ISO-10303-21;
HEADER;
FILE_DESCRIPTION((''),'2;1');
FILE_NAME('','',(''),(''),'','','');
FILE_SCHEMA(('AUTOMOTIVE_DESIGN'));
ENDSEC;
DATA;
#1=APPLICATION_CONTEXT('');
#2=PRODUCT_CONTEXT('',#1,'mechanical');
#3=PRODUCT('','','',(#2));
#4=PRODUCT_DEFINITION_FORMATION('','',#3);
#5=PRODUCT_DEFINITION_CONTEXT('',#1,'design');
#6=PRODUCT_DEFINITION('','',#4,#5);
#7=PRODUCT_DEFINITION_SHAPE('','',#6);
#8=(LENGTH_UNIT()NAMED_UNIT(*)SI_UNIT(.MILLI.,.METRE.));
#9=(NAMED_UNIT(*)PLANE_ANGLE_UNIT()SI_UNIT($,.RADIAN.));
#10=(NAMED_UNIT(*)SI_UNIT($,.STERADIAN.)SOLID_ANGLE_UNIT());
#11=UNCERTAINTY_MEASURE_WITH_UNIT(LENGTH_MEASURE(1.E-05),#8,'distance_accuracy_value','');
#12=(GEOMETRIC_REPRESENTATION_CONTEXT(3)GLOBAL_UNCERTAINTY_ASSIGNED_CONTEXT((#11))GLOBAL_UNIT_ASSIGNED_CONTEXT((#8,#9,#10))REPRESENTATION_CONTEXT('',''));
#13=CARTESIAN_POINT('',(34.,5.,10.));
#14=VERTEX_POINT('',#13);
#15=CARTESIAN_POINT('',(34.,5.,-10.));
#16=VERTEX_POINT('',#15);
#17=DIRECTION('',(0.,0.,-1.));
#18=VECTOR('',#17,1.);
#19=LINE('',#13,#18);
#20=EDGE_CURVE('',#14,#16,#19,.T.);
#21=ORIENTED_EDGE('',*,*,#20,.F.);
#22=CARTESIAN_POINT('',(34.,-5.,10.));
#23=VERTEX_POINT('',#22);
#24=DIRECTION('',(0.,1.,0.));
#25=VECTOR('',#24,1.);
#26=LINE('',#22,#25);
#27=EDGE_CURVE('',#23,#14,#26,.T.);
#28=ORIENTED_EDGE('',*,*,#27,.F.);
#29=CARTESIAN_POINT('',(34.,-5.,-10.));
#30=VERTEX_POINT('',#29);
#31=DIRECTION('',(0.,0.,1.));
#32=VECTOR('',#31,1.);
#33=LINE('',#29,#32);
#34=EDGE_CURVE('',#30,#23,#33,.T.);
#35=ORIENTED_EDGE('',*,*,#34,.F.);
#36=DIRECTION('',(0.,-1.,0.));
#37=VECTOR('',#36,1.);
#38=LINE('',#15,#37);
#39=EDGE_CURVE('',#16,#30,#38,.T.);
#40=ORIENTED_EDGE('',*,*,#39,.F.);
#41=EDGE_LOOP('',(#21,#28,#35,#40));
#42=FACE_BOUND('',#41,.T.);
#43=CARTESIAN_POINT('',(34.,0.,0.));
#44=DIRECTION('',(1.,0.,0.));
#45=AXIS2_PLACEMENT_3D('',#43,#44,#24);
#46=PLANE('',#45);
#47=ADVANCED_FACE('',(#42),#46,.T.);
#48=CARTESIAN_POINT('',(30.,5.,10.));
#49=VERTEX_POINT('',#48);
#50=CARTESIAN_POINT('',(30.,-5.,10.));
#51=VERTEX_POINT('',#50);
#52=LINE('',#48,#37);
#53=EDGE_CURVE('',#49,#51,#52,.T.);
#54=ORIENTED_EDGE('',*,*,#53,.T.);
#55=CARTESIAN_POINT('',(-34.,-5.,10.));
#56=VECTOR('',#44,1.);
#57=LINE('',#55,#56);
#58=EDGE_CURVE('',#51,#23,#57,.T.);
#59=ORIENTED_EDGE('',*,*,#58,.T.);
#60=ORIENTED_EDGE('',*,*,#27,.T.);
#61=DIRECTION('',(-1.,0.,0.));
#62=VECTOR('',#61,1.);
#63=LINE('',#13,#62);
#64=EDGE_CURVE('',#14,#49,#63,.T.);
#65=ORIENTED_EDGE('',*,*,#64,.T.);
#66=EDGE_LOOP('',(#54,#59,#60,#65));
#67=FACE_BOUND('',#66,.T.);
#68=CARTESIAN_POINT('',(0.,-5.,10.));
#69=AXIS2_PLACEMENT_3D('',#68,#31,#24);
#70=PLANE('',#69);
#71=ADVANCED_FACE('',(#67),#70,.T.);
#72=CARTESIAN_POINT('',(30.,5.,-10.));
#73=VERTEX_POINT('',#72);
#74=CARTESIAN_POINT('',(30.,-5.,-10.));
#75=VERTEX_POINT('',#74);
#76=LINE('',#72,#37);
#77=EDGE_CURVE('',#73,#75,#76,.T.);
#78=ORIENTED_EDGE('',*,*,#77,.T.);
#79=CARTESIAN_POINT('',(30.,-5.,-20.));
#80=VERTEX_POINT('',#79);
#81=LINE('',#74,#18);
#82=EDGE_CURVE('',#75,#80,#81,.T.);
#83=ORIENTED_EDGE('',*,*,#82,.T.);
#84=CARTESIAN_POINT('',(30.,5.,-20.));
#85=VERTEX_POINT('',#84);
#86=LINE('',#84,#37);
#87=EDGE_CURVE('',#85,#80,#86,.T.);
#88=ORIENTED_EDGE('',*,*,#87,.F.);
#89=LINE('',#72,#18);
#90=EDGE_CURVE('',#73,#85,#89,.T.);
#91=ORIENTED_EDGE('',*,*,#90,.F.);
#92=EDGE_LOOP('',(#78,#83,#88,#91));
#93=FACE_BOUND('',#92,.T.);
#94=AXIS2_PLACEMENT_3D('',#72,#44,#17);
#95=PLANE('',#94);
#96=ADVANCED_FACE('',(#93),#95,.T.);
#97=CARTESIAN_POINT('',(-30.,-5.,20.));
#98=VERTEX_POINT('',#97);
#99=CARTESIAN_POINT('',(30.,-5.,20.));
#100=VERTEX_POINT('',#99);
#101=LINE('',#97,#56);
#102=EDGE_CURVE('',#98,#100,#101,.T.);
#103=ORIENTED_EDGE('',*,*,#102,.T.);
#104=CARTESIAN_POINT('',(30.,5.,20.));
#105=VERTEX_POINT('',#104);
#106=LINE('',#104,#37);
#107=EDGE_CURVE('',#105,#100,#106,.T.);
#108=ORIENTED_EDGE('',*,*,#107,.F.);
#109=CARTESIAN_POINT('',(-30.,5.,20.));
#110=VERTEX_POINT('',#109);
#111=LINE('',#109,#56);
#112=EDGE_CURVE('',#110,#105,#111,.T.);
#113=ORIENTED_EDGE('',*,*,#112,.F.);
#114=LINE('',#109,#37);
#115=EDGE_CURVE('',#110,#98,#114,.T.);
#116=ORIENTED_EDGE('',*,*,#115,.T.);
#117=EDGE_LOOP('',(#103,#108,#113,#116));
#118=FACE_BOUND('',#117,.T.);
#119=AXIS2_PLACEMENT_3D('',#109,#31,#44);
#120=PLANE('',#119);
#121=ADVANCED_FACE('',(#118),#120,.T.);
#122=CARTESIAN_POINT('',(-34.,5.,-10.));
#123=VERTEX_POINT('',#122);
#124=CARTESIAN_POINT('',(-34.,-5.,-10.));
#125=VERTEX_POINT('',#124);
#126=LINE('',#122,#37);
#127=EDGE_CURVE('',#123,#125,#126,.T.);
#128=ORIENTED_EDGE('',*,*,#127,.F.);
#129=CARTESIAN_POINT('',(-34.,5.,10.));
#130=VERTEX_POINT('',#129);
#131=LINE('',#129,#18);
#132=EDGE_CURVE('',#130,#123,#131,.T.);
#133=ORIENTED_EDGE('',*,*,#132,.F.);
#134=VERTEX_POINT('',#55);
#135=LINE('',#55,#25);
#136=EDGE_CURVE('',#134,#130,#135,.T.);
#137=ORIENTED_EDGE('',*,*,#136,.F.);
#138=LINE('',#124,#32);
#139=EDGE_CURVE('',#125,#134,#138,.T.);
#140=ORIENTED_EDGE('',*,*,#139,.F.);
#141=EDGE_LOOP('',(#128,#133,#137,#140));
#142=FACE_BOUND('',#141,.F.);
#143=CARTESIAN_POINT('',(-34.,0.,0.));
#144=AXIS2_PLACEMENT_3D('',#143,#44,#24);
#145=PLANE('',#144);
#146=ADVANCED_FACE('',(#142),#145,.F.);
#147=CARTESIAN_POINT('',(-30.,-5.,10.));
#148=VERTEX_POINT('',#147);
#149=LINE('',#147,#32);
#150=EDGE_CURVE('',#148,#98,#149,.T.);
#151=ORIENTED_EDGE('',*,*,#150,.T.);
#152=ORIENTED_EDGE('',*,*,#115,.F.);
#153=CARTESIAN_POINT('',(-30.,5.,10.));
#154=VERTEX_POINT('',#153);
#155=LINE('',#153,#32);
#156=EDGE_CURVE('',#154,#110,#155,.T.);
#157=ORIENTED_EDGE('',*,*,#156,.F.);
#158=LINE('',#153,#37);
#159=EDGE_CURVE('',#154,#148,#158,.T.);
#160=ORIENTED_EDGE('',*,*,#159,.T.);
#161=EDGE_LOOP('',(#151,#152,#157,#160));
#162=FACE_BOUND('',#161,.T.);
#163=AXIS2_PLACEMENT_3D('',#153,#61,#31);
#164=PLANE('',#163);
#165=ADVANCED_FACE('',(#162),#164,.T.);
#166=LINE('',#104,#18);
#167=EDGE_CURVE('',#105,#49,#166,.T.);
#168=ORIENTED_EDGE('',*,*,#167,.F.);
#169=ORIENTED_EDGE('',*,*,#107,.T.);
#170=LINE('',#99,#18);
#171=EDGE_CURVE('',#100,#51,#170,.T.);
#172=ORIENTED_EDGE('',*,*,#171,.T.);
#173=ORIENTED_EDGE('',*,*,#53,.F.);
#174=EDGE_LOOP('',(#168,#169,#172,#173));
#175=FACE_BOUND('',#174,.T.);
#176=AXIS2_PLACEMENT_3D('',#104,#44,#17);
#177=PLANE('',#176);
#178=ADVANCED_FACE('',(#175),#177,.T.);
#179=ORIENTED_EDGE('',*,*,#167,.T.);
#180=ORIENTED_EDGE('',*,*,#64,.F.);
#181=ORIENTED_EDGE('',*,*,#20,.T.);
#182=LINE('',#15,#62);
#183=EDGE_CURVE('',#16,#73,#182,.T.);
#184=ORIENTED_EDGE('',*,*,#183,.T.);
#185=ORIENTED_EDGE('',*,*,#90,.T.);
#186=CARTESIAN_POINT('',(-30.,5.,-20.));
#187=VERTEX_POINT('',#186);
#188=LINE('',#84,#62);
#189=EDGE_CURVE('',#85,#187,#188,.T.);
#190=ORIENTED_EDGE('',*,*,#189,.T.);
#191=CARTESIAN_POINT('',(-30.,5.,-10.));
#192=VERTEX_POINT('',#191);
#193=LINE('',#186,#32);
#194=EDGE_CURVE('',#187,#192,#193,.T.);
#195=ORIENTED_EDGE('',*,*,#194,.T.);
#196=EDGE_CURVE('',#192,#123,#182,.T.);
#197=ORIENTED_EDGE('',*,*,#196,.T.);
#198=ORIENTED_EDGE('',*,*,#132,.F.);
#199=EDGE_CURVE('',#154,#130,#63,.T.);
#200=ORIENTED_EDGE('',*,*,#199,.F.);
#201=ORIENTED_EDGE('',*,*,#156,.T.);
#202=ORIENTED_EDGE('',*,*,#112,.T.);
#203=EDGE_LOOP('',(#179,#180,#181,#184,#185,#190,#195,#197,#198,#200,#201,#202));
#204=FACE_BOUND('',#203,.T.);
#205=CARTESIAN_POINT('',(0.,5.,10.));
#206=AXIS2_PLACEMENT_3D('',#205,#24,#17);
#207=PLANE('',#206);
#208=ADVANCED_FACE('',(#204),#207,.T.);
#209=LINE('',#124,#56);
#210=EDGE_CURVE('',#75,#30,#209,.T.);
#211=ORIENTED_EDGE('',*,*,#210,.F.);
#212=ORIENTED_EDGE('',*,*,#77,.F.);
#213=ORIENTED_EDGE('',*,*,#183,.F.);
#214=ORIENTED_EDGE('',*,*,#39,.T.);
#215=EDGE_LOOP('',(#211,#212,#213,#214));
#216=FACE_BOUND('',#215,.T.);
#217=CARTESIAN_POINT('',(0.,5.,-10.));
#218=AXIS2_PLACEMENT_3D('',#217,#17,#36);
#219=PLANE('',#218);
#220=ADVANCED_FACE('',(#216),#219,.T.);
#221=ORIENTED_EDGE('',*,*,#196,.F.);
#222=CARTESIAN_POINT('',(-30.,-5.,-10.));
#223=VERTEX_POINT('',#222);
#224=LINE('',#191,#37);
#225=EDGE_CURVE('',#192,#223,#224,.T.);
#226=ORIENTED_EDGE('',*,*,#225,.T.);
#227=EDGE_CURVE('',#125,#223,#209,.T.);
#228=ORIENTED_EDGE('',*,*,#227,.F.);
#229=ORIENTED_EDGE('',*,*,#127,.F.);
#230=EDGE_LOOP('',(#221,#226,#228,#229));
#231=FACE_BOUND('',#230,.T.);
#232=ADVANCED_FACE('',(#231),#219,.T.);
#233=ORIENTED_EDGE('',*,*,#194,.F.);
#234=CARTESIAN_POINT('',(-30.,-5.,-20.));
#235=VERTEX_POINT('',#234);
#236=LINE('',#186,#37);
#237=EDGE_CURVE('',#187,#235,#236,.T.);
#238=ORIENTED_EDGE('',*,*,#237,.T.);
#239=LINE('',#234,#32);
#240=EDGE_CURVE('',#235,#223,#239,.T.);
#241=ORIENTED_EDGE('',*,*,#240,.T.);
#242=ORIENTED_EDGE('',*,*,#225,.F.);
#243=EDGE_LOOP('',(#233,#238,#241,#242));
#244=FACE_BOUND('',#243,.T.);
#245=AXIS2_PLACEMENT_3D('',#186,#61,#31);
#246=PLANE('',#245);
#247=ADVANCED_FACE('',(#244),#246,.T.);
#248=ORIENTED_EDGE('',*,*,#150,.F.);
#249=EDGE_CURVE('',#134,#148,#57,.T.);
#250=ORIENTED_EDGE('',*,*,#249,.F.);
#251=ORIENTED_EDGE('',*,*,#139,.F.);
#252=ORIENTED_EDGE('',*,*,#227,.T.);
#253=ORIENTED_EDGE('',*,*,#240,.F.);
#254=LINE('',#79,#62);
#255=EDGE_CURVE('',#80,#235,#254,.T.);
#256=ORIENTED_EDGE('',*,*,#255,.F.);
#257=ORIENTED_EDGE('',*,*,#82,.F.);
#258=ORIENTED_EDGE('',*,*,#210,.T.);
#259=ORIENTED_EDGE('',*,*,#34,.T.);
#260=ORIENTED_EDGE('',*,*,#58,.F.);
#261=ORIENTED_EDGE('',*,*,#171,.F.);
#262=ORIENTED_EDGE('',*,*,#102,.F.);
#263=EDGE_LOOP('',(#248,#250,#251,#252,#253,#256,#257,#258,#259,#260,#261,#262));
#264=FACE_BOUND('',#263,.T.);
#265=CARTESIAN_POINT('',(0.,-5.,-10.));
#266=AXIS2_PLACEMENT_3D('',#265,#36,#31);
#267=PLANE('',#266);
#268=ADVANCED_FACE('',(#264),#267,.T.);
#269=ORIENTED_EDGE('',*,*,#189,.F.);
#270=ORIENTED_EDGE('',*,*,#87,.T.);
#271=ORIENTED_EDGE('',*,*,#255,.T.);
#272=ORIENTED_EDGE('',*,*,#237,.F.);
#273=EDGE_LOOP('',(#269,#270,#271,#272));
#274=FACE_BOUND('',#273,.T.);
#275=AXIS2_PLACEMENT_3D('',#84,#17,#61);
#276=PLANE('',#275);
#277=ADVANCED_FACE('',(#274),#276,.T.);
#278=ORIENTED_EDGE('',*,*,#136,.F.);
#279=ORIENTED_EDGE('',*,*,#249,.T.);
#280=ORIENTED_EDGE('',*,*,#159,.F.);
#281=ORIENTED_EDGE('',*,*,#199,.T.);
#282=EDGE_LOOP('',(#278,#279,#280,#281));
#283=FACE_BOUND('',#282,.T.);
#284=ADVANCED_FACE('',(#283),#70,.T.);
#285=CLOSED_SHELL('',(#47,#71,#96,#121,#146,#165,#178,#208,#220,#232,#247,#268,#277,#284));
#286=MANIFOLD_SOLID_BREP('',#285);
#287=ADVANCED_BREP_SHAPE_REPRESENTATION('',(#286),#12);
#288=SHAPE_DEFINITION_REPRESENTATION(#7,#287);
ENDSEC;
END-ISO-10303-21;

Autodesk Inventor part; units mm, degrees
ref_plane "YZ Plane" through (0, 0, 0) normal (1, 0, 0) x (0, 1, 0)
ref_plane "XZ Plane" through (0, 0, 0) normal (0, 1, 0) x (-1, 0, 0)
ref_plane "XY Plane" through (0, 0, 0) normal (0, 0, 1) x (1, 0, 0)
sketch "Эскиз1" plane through (0, 0, 0) normal (1, 0, 0) x (0, 1, 0)
  line L0 (-5, 10) -> (5, 10)
  line L1 (5, 10) -> (5, -10)
  line L2 (5, -10) -> (-5, -10)
  line L3 (-5, -10) -> (-5, 10)
  line L4 (-5, 10) -> (5, -10) construction
  line L5 (5, 10) -> (-5, -10) construction
  point P0 (0, 0)
  dimension "d0" = 10
  dimension "d1" = 20
extrude "Выдавливание1" add sketch "Эскиз1" along normal mid plane 68
sketch "Эскиз2" plane through (-34, 5, 10) normal (0, 1, 0) x (1, 0, 0)
  line L0 (0, 20) -> (68, 20) projected
  line L1 (4, 20) -> (64, 20)
  line L2 (64, 20) -> (64, 30)
  line L3 (64, 30) -> (4, 30)
  line L4 (4, 30) -> (4, 20)
  line L5 (0, 0) -> (68, 0) projected
  line L6 (34, 20) -> (34, 0) construction
  line L7 (4, -10) -> (64, -10)
  line L8 (64, -10) -> (64, 0)
  line L9 (64, 0) -> (4, 0)
  line L10 (4, 0) -> (4, -10)
  line L11 (0, 0) -> (0, 20) projected
  line L12 (68, 20) -> (68, 0) projected
  point P0 (34, 10)
  point P1 (35, -10)
  point P2 (64, 0)
  point P3 (4, 0)
  dimension "d4" = 60
  dimension "d5" = 10
  dimension "d7" = 60
  dimension "d8" = 10
  dimension "d11" = 4
extrude "Выдавливание2" add sketch "Эскиз2" against normal blind 10 contours L4 L3 L2 L0 | L5 L8 L7 L10
equation "\"d7\" = d4"
equation "\"d8\" = d5"
properties part number "Подставка для двигателя и драйвера"
